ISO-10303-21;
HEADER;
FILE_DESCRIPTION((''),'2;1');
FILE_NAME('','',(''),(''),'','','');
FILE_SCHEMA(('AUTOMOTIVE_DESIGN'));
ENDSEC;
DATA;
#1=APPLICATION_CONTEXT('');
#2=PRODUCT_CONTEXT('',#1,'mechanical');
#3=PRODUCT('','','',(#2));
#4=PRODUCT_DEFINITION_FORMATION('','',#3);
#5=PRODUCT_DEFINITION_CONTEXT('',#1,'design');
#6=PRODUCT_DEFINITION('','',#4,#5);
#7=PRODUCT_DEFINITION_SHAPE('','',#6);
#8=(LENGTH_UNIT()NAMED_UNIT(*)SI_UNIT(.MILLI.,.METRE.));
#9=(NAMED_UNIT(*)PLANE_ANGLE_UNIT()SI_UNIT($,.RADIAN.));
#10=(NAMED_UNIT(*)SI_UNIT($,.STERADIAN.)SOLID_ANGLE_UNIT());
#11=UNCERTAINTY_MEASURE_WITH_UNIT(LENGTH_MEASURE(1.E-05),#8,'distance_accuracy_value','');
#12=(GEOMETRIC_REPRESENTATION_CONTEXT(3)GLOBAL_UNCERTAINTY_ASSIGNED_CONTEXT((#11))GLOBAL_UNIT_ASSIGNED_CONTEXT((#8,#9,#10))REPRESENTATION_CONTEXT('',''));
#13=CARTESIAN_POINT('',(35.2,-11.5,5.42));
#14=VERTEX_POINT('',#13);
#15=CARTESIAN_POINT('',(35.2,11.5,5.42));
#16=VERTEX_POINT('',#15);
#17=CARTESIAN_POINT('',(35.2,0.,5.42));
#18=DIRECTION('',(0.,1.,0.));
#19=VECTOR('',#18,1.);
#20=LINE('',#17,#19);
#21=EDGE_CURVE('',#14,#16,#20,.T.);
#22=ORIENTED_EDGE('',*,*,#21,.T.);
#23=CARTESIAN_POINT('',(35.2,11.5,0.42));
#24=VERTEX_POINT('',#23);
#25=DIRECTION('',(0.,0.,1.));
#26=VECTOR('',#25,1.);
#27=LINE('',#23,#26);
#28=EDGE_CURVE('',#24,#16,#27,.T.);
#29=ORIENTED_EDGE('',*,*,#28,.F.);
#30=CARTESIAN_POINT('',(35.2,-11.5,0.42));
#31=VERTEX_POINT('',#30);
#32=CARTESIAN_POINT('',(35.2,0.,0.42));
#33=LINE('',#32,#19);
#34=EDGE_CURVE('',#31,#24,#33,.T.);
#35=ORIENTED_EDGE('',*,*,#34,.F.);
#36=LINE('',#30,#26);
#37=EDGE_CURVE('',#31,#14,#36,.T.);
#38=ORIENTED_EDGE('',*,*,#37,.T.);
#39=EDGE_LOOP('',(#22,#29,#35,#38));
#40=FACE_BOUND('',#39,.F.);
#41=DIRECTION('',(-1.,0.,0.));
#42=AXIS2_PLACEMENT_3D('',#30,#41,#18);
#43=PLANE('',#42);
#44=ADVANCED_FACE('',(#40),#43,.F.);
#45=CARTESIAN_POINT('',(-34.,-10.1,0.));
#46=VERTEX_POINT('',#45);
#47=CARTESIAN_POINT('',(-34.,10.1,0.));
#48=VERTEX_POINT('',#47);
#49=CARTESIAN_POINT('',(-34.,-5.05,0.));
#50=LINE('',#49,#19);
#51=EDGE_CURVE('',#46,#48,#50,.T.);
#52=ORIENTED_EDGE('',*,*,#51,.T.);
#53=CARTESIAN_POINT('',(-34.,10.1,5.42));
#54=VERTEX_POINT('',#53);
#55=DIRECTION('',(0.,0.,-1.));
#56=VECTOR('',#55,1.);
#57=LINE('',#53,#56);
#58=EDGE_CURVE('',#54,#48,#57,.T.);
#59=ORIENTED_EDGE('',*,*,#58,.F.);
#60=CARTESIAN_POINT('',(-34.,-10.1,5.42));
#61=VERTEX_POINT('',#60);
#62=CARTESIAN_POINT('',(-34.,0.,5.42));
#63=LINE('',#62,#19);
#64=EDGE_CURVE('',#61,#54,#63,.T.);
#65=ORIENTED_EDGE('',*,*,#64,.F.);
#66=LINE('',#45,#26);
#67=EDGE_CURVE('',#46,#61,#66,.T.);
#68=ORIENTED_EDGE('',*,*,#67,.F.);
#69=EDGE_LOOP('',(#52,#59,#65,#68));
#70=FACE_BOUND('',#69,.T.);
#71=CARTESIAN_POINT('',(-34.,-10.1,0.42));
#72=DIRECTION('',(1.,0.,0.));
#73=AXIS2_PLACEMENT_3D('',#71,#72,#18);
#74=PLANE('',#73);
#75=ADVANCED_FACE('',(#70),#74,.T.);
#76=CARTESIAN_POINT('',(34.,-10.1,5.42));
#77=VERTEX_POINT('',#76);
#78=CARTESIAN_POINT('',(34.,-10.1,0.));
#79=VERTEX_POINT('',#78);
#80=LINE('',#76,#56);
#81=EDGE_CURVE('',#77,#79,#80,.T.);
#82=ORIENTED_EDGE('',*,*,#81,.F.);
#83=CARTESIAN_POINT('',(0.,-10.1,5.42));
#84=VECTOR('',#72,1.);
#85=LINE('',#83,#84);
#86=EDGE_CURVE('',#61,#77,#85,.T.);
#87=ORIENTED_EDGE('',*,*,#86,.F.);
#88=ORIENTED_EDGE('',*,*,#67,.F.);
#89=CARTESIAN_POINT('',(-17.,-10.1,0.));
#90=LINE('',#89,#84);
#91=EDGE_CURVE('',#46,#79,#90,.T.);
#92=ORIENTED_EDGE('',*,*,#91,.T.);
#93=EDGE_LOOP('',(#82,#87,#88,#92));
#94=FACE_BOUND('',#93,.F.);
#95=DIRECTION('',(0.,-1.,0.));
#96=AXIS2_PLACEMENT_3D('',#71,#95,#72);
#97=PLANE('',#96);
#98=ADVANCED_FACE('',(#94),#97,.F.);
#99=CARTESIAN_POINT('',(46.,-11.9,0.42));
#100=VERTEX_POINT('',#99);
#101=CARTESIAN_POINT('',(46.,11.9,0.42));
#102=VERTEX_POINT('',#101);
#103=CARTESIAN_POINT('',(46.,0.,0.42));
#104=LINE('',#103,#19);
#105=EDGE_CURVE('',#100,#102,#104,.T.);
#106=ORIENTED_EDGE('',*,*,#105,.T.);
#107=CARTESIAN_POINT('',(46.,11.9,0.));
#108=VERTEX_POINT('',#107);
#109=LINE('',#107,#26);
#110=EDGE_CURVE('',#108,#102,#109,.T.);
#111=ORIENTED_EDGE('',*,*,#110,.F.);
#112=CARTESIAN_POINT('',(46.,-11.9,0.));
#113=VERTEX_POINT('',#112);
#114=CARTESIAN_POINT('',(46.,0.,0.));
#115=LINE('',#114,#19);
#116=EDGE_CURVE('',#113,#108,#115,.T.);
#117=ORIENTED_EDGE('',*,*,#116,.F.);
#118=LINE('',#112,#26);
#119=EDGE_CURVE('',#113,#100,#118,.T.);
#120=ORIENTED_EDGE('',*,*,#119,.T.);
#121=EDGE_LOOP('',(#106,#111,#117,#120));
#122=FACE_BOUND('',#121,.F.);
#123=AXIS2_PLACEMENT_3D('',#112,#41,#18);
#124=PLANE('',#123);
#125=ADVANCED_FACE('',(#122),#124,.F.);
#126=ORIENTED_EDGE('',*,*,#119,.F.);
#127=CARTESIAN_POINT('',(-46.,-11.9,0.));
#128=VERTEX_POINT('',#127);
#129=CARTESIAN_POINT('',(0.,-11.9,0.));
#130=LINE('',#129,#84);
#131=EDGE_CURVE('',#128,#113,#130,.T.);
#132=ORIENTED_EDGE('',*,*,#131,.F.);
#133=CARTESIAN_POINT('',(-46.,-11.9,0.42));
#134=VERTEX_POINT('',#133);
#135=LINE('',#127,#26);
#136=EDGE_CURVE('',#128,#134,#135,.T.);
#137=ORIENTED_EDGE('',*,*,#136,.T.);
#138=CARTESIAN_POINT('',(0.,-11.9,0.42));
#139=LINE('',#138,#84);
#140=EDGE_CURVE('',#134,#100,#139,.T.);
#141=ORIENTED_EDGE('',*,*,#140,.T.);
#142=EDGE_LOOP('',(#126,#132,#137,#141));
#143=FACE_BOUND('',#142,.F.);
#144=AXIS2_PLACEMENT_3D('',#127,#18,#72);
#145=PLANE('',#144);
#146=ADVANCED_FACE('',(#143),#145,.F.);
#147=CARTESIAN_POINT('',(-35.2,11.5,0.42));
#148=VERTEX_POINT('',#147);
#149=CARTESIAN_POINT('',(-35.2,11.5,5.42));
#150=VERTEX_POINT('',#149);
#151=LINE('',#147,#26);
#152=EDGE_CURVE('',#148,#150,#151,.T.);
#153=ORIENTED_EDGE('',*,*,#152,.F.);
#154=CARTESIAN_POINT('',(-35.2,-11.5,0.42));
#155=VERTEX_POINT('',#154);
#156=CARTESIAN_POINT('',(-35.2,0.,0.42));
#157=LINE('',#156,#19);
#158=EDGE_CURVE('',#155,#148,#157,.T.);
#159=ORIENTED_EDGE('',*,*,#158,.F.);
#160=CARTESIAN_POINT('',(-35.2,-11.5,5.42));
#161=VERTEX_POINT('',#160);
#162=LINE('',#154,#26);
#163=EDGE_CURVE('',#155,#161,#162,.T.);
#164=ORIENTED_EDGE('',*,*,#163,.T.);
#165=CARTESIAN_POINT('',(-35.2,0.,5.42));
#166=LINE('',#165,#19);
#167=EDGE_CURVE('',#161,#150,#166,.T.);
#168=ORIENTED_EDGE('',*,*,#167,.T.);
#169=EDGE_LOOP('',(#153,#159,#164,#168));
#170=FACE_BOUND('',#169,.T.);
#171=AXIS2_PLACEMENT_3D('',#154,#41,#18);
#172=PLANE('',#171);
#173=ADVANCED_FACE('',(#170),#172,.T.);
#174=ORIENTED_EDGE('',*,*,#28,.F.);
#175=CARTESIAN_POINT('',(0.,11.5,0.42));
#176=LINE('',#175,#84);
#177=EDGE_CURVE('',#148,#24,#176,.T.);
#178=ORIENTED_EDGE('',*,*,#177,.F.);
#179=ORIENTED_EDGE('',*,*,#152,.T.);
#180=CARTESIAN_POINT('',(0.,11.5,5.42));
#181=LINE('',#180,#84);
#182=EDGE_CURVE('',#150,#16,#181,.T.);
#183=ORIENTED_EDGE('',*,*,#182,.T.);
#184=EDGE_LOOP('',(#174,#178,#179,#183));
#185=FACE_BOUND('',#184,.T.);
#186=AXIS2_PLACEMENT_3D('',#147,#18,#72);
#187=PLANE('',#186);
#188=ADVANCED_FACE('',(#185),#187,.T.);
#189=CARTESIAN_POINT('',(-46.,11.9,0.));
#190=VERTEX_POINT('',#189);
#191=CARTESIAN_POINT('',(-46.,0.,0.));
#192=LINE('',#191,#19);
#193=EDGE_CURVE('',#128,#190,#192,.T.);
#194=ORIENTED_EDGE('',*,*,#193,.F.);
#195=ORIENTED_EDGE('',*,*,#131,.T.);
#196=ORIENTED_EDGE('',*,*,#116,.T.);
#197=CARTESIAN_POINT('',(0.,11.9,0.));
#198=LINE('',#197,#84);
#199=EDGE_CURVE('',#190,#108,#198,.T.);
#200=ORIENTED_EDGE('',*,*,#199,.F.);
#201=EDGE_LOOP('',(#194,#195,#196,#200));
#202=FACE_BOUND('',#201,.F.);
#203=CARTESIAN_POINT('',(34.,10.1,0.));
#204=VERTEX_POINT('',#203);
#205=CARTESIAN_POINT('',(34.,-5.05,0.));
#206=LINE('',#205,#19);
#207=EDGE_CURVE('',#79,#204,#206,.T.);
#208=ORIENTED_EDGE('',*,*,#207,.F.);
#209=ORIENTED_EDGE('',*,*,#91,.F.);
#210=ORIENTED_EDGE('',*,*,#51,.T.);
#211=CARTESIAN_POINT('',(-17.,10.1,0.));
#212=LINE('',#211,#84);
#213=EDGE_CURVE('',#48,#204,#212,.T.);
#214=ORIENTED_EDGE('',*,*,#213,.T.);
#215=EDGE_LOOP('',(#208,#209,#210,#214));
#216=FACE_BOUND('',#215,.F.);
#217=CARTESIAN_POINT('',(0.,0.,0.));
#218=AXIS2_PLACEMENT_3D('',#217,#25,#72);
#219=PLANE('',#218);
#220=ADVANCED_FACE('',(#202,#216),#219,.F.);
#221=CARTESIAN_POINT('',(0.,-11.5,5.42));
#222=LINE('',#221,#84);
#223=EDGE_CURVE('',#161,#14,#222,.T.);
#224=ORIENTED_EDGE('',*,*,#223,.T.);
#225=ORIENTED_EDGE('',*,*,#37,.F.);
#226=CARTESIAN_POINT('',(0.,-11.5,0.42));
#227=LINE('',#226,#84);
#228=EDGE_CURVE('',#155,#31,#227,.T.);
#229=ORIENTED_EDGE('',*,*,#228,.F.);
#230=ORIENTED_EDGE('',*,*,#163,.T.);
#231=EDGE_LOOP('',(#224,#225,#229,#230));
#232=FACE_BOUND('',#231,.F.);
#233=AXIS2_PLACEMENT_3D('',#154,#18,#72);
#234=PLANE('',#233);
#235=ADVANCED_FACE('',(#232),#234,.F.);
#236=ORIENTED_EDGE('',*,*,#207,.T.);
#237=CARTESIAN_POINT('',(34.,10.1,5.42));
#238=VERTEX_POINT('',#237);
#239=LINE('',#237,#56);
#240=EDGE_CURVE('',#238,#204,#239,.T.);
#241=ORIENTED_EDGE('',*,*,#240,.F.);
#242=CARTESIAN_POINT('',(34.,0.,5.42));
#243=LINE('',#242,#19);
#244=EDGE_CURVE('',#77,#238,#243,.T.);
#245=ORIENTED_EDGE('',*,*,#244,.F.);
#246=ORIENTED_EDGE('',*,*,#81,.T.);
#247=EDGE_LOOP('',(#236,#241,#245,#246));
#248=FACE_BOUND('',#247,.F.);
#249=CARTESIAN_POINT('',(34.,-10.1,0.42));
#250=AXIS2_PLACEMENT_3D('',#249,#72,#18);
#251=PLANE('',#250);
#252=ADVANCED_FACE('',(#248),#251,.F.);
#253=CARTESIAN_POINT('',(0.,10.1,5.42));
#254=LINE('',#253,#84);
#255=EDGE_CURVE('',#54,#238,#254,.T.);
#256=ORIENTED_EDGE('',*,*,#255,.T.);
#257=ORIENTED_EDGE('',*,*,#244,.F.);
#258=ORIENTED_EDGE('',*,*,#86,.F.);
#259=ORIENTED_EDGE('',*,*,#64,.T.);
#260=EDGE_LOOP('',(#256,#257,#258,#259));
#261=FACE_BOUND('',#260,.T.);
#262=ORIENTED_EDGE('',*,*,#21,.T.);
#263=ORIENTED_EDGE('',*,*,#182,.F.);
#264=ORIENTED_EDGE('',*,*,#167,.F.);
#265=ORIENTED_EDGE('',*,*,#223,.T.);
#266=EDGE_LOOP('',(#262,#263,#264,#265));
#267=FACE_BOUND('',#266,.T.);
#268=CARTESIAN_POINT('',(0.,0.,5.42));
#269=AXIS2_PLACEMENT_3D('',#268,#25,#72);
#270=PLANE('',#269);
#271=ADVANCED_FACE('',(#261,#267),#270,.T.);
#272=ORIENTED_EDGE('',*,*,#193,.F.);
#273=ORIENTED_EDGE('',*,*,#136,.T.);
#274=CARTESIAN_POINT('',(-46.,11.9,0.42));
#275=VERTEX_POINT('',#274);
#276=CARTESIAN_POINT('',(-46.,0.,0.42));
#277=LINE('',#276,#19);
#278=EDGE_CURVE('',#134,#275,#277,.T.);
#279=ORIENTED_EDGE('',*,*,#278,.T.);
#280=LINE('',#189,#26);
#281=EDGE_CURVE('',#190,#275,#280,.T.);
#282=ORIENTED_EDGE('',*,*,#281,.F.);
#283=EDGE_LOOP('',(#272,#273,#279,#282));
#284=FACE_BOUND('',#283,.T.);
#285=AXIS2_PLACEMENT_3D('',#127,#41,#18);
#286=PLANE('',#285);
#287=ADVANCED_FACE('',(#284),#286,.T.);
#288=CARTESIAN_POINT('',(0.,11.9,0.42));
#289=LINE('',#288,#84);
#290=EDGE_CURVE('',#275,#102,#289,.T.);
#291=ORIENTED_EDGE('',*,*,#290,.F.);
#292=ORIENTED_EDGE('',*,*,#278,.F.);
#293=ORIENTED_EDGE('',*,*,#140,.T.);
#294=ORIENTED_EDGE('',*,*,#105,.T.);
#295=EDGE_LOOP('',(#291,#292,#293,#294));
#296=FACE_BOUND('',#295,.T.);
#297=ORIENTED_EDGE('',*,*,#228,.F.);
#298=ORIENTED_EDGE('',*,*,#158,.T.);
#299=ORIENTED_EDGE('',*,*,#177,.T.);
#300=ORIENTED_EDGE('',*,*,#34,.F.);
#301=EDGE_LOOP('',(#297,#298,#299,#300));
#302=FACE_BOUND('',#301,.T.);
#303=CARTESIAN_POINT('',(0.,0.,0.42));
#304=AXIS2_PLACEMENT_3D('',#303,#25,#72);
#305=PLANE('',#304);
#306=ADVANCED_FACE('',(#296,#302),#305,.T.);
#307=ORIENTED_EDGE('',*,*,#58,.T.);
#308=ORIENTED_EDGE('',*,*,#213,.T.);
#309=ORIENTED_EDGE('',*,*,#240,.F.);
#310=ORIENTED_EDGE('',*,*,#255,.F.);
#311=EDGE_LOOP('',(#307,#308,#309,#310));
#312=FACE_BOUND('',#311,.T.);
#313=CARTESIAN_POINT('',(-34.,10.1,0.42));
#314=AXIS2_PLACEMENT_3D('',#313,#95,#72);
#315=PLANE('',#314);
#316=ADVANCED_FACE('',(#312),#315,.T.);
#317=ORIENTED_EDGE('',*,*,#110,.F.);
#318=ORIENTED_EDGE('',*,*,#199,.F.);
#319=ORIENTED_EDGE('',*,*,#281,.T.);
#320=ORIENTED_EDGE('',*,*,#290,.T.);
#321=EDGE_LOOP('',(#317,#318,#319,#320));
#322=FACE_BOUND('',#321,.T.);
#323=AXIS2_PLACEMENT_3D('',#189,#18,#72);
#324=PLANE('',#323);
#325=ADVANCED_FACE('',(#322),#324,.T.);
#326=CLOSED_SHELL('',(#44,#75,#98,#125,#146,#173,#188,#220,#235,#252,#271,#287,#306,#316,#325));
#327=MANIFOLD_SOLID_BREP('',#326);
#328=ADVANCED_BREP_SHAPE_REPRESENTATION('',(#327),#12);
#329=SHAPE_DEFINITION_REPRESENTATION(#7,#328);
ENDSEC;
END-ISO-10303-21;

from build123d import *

# Parameters (mm, degrees)
F0_W     = 92
F0_H     = 23.8
F1_DEPTH = 0.42
F2_W     = 70.4
F2_H     = 23
F2_W_2   = 68
F2_H_2   = 20.2
F3_DEPTH = 5
F4_W     = 68
F4_H     = 20.2
F5_DEPTH = 25


with BuildPart() as f1:
    # F0 (on Top) → F1 (new body)
    with BuildSketch(Plane.XY):
        Rectangle(F0_W, F0_H)
    extrude(amount=F1_DEPTH)

    # F2 (on face) → F3 (join)
    with BuildSketch(Plane.XY.offset(0.42)):
        Rectangle(F2_W, F2_H)
        Rectangle(F2_W_2, F2_H_2, mode=Mode.SUBTRACT)
    extrude(amount=F3_DEPTH)

    # F4 (on face) → F5 (cut)
    with BuildSketch(Plane.XY.offset(0.42)):
        Rectangle(F4_W, F4_H)
    extrude(amount=-F5_DEPTH, mode=Mode.SUBTRACT)


solid = f1.part
